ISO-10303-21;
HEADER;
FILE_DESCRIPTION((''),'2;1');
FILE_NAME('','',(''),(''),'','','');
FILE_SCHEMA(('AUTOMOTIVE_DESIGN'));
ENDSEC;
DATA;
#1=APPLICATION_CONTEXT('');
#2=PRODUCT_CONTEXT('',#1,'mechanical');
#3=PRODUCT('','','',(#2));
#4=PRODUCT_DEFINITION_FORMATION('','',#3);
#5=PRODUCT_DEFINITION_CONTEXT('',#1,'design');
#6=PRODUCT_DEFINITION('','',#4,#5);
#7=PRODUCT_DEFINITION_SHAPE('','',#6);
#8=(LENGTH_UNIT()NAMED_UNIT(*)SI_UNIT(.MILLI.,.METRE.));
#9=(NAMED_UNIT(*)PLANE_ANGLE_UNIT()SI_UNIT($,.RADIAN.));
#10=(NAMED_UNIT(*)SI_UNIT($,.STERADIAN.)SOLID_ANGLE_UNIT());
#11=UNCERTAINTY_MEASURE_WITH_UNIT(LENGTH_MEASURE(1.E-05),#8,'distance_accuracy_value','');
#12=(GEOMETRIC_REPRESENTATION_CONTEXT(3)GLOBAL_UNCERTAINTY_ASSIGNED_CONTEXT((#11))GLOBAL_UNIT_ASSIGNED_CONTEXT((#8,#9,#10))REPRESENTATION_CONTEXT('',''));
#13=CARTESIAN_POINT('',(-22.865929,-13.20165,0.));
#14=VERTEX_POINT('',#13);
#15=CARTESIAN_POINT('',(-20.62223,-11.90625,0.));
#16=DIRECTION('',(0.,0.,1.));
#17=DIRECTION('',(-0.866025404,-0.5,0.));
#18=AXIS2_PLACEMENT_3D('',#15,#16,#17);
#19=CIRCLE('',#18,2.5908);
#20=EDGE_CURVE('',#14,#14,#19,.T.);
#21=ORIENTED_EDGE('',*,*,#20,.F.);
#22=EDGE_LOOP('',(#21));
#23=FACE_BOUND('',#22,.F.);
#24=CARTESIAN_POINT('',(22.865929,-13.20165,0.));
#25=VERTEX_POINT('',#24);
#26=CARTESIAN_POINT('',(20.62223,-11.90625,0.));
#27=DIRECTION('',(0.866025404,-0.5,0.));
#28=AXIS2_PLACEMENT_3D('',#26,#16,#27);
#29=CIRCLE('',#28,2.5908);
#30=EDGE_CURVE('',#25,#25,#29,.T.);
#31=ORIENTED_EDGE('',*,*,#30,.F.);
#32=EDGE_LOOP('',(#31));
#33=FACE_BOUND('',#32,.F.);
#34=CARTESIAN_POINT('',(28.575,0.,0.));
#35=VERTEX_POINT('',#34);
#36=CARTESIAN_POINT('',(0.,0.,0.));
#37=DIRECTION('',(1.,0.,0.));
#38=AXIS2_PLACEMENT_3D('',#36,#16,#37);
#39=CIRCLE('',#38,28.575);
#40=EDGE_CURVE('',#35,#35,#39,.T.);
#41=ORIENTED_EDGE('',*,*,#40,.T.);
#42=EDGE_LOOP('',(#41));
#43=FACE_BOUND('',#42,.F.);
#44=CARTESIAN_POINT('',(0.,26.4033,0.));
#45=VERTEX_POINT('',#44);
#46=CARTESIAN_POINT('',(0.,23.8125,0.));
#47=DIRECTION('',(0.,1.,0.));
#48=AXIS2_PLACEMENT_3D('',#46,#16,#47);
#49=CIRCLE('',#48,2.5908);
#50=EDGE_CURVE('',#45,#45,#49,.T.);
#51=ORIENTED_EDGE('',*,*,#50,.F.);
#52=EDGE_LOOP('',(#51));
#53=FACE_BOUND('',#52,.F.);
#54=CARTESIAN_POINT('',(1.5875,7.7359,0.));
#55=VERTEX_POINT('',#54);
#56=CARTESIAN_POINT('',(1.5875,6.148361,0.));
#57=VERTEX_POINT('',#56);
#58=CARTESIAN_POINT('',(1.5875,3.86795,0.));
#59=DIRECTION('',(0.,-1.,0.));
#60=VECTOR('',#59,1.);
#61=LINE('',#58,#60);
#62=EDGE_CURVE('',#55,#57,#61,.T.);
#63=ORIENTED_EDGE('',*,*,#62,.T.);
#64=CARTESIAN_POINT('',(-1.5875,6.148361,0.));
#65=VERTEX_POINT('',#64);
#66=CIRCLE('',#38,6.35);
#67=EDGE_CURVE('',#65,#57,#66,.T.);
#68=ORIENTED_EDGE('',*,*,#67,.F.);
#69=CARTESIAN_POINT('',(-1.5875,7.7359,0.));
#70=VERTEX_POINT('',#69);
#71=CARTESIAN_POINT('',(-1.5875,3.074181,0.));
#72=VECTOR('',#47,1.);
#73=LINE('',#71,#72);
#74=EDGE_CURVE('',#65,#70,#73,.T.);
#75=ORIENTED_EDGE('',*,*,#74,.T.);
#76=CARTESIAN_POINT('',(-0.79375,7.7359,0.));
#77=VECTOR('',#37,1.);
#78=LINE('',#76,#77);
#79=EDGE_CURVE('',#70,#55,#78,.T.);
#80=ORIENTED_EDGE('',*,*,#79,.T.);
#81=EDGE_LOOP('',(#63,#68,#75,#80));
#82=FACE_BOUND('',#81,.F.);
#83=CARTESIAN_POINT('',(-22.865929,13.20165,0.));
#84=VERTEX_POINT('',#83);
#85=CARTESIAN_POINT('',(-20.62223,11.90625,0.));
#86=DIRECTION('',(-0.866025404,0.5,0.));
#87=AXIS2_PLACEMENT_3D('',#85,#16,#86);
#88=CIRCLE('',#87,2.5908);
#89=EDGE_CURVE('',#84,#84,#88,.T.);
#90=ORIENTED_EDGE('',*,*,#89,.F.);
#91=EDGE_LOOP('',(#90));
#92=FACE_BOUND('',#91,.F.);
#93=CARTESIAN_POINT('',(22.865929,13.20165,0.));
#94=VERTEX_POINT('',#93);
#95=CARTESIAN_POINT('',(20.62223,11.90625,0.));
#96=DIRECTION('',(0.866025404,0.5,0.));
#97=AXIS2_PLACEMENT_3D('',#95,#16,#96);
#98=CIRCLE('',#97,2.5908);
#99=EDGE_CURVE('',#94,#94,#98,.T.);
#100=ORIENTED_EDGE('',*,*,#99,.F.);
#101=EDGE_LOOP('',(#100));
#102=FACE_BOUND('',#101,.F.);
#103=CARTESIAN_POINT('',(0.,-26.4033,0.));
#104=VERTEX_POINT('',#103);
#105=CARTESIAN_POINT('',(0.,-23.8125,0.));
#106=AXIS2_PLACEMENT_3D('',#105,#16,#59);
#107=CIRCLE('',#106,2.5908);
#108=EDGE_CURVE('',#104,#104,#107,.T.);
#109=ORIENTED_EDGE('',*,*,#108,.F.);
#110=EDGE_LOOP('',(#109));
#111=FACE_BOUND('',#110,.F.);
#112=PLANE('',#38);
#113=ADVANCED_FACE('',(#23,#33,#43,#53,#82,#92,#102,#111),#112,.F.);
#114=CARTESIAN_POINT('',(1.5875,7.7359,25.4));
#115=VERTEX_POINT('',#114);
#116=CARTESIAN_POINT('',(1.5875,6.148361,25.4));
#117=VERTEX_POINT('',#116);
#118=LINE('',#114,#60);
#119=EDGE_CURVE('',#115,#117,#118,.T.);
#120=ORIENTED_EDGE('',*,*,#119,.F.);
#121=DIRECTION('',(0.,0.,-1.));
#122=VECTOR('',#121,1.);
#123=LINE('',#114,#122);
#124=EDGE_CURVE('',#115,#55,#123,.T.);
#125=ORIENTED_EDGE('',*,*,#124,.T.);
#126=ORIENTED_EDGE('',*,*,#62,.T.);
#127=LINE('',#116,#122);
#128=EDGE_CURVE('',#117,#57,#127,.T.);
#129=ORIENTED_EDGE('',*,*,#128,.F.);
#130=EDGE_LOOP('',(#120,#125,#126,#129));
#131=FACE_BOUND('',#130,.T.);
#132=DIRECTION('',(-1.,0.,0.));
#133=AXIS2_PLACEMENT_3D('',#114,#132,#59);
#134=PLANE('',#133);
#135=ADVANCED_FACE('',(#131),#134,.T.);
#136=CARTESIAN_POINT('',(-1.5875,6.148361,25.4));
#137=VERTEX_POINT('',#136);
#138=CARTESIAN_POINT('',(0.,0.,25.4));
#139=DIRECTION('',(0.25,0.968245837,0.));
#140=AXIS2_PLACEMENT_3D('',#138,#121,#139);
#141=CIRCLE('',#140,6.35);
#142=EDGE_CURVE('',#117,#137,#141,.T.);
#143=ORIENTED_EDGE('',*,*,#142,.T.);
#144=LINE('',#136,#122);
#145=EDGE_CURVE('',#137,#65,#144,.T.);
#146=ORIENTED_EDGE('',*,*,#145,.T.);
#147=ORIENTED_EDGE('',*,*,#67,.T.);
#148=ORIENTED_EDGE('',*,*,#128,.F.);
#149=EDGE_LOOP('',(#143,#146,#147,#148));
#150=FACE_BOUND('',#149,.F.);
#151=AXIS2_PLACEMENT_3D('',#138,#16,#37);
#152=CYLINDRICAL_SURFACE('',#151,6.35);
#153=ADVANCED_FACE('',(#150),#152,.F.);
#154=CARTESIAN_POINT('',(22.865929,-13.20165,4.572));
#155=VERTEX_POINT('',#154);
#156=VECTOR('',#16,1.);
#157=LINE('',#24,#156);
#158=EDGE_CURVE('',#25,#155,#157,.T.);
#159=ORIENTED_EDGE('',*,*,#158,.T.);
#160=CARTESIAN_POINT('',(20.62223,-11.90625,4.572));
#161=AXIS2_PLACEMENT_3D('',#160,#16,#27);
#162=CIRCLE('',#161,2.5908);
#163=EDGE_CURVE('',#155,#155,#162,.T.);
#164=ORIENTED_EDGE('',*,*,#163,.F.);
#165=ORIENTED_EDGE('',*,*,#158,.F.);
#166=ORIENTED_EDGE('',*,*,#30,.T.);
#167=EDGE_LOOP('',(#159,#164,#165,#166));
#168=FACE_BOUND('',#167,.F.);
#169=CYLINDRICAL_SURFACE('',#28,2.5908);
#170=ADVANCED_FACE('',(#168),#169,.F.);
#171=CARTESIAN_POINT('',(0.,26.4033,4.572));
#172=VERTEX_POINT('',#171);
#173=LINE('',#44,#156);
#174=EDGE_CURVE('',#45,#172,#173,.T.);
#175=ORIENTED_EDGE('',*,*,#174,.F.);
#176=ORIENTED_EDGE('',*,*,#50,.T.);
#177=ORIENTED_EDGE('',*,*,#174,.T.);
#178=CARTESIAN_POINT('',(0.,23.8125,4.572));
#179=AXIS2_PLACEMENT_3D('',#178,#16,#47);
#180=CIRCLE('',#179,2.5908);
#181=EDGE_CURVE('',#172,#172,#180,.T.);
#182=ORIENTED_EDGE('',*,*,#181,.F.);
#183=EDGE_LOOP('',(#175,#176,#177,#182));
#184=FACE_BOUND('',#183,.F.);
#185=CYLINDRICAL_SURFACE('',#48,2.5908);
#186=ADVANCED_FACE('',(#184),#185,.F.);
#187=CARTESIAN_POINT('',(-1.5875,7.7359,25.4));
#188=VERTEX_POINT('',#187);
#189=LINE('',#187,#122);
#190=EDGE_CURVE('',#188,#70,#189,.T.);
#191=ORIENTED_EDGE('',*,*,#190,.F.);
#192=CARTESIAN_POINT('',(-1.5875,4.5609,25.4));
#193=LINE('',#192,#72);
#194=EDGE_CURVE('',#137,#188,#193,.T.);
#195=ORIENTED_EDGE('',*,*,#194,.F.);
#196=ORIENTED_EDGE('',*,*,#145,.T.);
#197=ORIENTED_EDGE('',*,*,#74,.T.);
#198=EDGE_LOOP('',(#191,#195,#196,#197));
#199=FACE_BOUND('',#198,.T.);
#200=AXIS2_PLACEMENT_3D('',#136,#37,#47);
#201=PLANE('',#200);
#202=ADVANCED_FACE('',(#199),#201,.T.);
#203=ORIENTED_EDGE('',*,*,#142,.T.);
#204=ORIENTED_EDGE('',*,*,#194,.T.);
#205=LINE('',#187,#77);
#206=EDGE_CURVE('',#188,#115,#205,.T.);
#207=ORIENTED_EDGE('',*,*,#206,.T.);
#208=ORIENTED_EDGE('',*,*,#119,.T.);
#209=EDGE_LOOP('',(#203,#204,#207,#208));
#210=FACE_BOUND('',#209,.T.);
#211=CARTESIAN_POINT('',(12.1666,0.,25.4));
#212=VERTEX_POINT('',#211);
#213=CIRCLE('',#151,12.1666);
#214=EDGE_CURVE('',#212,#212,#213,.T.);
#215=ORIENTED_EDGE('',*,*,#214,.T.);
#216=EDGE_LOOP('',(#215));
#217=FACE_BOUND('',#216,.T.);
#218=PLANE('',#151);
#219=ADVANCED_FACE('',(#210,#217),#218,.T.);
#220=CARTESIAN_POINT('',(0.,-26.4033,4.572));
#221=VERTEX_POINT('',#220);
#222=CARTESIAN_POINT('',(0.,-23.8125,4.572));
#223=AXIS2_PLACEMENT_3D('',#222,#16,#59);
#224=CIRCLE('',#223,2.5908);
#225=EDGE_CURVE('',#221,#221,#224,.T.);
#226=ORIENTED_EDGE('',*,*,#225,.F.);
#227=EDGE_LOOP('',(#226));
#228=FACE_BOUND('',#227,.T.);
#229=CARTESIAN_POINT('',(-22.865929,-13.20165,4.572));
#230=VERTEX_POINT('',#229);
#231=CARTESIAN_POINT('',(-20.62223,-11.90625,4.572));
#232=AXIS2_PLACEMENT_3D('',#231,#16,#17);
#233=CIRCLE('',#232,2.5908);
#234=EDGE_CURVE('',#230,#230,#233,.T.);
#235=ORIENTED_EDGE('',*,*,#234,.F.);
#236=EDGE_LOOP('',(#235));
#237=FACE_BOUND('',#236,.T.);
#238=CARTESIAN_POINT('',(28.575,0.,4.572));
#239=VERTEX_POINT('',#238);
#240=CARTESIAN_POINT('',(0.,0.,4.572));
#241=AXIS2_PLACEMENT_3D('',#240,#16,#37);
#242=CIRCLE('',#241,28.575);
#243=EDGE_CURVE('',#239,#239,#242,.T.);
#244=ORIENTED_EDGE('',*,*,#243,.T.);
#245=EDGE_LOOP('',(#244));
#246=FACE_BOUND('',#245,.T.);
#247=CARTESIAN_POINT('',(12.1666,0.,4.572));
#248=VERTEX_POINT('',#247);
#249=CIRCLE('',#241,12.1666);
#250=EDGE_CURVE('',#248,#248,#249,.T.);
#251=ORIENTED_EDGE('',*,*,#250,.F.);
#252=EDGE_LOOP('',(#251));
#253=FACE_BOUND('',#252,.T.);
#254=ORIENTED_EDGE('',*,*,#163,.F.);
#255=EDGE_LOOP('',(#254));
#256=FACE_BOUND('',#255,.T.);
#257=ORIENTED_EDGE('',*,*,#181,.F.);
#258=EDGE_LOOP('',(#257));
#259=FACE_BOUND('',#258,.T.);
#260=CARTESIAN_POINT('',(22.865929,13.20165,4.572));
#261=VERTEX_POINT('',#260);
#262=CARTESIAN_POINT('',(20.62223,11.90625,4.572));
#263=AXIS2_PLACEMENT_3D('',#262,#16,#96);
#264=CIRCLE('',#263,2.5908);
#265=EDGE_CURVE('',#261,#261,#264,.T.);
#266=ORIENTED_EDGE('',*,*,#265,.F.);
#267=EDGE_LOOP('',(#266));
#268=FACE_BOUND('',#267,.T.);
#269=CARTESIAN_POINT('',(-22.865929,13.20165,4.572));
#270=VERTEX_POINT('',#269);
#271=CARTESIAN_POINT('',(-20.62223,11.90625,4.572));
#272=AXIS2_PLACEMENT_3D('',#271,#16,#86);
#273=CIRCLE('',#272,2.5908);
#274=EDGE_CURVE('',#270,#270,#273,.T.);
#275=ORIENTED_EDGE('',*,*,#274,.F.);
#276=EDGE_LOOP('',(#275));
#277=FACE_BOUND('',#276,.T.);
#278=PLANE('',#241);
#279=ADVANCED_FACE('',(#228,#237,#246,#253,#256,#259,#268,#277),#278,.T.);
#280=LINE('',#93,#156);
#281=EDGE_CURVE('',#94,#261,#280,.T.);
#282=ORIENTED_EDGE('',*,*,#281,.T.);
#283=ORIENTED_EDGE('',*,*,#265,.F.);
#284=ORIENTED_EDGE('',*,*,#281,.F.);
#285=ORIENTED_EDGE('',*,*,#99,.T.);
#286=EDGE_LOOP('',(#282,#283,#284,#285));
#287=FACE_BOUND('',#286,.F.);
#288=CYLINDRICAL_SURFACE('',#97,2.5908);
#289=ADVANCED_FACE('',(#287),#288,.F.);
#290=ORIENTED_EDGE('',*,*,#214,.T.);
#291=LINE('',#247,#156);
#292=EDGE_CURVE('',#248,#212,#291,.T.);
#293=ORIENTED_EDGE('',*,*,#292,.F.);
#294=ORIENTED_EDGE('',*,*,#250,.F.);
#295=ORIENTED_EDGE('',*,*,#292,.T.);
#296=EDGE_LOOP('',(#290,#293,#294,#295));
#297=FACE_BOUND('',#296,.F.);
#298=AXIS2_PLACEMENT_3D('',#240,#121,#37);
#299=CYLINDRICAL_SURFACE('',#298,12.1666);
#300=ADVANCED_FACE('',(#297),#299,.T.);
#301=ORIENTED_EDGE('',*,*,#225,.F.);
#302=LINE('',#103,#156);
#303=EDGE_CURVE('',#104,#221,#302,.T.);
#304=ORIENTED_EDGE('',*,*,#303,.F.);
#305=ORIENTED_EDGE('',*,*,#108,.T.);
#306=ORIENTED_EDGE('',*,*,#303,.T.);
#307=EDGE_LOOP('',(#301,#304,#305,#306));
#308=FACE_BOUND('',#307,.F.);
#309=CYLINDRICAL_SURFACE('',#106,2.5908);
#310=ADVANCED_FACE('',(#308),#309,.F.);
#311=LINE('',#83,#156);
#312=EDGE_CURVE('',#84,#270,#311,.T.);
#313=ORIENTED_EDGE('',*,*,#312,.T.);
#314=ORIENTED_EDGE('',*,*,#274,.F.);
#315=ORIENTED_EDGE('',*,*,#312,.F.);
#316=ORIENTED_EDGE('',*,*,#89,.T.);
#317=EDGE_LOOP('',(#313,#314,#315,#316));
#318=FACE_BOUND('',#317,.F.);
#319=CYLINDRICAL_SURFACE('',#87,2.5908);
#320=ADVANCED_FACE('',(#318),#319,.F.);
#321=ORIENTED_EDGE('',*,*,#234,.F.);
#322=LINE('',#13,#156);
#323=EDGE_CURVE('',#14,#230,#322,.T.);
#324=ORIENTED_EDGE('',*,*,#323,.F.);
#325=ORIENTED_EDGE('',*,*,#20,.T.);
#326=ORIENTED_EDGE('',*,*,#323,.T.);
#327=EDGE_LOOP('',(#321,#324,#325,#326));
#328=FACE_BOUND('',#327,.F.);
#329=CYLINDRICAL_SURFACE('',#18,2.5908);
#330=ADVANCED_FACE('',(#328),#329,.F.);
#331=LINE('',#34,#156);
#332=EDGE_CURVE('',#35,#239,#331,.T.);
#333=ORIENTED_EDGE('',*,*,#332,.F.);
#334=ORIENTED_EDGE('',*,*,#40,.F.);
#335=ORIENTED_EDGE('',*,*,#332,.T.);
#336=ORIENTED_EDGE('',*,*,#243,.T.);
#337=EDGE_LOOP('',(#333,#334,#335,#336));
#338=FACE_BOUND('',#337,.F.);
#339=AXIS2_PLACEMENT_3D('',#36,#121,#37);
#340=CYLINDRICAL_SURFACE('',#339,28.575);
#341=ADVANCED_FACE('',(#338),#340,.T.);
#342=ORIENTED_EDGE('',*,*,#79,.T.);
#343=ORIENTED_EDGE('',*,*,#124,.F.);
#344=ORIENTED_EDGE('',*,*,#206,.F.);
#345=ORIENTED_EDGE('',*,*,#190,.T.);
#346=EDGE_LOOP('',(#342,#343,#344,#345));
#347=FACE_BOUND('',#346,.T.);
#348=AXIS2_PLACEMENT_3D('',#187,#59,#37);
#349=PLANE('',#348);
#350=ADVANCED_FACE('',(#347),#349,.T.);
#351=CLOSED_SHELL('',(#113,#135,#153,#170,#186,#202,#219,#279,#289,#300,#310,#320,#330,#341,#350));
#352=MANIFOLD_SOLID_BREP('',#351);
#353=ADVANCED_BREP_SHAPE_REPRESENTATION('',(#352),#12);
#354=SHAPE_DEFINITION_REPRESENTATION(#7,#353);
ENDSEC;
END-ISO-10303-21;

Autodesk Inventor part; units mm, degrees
ref_plane "YZ Plane" through (0, 0, 0) normal (1, 0, 0) x (0, 1, 0)
ref_plane "XZ Plane" through (0, 0, 0) normal (0, 1, 0) x (-1, 0, 0)
ref_plane "XY Plane" through (0, 0, 0) normal (0, 0, 1) x (1, 0, 0)
sketch "Sketch1" plane through (0, 0, 0) normal (0, 0, 1) x (1, 0, 0)
  circle A0 centre (0, 0) radius 28.575
  dimension "d0" = 57.15
extrude "Extrusion1" add sketch "Sketch1" along normal blind 4.572
sketch "Sketch2" plane through (0, 0, 4.572) normal (0, 0, 1) x (1, 0, 0)
  circle A0 centre (0, 0) radius 28.575 projected
  circle A1 centre (0, 0) radius 12.1666
  dimension "d3" = 24.3332
extrude "Extrusion2" add sketch "Sketch2" along normal blind 20.828 contours A1
sketch "Sketch3" plane through (0, 0, 25.4) normal (0, 0, 1) x (1, 0, 0)
  circle A0 centre (0, 0) radius 12.1666 projected
  circle A1 centre (0, 0) radius 6.35
  line L0 (-1.5875, 7.7359) -> (1.5875, 7.7359)
  line L1 (1.5875, 7.7359) -> (1.5875, 4.5609)
  line L2 (1.5875, 4.5609) -> (-1.5875, 4.5609)
  line L3 (-1.5875, 4.5609) -> (-1.5875, 7.7359)
  point P0 (0, 7.7359)
  point P1 (-1.5875, 6.1484)
  dimension "d6" = 12.7
  dimension "d7" = 3.175
  dimension "d8" = 3.175
extrude "Extrusion3" cut sketch "Sketch3" against normal through all contours A1 L3 L2 L1 | L1 L2 L3 A1 | A1 L3 L0 L1
sketch "Sketch4" plane through (0, 0, 0) normal (0, 0, -1) x (-1, 0, 0)
  arc A0 (-1.5875, 6.1484) -> (1.5875, 6.1484) centre (0, 0) ccw construction
  circle A1 centre (0, 0) radius 28.575 construction
  circle A2 centre (0, 0) radius 23.8125 construction
  point P0 (0, 23.8125)
  dimension "d11" = 47.625
hole "Hole1" at (0, 23.8125, 0) direction (0, 0, 1) diameter 5.1816 end through all
pattern_circular "Circular Pattern1" count 6 over 360 about axis through (0, 0, 0) along (0, 0, 1) of "Hole1"
properties part number "Hub 500 key" material "Aluminum 6061"
